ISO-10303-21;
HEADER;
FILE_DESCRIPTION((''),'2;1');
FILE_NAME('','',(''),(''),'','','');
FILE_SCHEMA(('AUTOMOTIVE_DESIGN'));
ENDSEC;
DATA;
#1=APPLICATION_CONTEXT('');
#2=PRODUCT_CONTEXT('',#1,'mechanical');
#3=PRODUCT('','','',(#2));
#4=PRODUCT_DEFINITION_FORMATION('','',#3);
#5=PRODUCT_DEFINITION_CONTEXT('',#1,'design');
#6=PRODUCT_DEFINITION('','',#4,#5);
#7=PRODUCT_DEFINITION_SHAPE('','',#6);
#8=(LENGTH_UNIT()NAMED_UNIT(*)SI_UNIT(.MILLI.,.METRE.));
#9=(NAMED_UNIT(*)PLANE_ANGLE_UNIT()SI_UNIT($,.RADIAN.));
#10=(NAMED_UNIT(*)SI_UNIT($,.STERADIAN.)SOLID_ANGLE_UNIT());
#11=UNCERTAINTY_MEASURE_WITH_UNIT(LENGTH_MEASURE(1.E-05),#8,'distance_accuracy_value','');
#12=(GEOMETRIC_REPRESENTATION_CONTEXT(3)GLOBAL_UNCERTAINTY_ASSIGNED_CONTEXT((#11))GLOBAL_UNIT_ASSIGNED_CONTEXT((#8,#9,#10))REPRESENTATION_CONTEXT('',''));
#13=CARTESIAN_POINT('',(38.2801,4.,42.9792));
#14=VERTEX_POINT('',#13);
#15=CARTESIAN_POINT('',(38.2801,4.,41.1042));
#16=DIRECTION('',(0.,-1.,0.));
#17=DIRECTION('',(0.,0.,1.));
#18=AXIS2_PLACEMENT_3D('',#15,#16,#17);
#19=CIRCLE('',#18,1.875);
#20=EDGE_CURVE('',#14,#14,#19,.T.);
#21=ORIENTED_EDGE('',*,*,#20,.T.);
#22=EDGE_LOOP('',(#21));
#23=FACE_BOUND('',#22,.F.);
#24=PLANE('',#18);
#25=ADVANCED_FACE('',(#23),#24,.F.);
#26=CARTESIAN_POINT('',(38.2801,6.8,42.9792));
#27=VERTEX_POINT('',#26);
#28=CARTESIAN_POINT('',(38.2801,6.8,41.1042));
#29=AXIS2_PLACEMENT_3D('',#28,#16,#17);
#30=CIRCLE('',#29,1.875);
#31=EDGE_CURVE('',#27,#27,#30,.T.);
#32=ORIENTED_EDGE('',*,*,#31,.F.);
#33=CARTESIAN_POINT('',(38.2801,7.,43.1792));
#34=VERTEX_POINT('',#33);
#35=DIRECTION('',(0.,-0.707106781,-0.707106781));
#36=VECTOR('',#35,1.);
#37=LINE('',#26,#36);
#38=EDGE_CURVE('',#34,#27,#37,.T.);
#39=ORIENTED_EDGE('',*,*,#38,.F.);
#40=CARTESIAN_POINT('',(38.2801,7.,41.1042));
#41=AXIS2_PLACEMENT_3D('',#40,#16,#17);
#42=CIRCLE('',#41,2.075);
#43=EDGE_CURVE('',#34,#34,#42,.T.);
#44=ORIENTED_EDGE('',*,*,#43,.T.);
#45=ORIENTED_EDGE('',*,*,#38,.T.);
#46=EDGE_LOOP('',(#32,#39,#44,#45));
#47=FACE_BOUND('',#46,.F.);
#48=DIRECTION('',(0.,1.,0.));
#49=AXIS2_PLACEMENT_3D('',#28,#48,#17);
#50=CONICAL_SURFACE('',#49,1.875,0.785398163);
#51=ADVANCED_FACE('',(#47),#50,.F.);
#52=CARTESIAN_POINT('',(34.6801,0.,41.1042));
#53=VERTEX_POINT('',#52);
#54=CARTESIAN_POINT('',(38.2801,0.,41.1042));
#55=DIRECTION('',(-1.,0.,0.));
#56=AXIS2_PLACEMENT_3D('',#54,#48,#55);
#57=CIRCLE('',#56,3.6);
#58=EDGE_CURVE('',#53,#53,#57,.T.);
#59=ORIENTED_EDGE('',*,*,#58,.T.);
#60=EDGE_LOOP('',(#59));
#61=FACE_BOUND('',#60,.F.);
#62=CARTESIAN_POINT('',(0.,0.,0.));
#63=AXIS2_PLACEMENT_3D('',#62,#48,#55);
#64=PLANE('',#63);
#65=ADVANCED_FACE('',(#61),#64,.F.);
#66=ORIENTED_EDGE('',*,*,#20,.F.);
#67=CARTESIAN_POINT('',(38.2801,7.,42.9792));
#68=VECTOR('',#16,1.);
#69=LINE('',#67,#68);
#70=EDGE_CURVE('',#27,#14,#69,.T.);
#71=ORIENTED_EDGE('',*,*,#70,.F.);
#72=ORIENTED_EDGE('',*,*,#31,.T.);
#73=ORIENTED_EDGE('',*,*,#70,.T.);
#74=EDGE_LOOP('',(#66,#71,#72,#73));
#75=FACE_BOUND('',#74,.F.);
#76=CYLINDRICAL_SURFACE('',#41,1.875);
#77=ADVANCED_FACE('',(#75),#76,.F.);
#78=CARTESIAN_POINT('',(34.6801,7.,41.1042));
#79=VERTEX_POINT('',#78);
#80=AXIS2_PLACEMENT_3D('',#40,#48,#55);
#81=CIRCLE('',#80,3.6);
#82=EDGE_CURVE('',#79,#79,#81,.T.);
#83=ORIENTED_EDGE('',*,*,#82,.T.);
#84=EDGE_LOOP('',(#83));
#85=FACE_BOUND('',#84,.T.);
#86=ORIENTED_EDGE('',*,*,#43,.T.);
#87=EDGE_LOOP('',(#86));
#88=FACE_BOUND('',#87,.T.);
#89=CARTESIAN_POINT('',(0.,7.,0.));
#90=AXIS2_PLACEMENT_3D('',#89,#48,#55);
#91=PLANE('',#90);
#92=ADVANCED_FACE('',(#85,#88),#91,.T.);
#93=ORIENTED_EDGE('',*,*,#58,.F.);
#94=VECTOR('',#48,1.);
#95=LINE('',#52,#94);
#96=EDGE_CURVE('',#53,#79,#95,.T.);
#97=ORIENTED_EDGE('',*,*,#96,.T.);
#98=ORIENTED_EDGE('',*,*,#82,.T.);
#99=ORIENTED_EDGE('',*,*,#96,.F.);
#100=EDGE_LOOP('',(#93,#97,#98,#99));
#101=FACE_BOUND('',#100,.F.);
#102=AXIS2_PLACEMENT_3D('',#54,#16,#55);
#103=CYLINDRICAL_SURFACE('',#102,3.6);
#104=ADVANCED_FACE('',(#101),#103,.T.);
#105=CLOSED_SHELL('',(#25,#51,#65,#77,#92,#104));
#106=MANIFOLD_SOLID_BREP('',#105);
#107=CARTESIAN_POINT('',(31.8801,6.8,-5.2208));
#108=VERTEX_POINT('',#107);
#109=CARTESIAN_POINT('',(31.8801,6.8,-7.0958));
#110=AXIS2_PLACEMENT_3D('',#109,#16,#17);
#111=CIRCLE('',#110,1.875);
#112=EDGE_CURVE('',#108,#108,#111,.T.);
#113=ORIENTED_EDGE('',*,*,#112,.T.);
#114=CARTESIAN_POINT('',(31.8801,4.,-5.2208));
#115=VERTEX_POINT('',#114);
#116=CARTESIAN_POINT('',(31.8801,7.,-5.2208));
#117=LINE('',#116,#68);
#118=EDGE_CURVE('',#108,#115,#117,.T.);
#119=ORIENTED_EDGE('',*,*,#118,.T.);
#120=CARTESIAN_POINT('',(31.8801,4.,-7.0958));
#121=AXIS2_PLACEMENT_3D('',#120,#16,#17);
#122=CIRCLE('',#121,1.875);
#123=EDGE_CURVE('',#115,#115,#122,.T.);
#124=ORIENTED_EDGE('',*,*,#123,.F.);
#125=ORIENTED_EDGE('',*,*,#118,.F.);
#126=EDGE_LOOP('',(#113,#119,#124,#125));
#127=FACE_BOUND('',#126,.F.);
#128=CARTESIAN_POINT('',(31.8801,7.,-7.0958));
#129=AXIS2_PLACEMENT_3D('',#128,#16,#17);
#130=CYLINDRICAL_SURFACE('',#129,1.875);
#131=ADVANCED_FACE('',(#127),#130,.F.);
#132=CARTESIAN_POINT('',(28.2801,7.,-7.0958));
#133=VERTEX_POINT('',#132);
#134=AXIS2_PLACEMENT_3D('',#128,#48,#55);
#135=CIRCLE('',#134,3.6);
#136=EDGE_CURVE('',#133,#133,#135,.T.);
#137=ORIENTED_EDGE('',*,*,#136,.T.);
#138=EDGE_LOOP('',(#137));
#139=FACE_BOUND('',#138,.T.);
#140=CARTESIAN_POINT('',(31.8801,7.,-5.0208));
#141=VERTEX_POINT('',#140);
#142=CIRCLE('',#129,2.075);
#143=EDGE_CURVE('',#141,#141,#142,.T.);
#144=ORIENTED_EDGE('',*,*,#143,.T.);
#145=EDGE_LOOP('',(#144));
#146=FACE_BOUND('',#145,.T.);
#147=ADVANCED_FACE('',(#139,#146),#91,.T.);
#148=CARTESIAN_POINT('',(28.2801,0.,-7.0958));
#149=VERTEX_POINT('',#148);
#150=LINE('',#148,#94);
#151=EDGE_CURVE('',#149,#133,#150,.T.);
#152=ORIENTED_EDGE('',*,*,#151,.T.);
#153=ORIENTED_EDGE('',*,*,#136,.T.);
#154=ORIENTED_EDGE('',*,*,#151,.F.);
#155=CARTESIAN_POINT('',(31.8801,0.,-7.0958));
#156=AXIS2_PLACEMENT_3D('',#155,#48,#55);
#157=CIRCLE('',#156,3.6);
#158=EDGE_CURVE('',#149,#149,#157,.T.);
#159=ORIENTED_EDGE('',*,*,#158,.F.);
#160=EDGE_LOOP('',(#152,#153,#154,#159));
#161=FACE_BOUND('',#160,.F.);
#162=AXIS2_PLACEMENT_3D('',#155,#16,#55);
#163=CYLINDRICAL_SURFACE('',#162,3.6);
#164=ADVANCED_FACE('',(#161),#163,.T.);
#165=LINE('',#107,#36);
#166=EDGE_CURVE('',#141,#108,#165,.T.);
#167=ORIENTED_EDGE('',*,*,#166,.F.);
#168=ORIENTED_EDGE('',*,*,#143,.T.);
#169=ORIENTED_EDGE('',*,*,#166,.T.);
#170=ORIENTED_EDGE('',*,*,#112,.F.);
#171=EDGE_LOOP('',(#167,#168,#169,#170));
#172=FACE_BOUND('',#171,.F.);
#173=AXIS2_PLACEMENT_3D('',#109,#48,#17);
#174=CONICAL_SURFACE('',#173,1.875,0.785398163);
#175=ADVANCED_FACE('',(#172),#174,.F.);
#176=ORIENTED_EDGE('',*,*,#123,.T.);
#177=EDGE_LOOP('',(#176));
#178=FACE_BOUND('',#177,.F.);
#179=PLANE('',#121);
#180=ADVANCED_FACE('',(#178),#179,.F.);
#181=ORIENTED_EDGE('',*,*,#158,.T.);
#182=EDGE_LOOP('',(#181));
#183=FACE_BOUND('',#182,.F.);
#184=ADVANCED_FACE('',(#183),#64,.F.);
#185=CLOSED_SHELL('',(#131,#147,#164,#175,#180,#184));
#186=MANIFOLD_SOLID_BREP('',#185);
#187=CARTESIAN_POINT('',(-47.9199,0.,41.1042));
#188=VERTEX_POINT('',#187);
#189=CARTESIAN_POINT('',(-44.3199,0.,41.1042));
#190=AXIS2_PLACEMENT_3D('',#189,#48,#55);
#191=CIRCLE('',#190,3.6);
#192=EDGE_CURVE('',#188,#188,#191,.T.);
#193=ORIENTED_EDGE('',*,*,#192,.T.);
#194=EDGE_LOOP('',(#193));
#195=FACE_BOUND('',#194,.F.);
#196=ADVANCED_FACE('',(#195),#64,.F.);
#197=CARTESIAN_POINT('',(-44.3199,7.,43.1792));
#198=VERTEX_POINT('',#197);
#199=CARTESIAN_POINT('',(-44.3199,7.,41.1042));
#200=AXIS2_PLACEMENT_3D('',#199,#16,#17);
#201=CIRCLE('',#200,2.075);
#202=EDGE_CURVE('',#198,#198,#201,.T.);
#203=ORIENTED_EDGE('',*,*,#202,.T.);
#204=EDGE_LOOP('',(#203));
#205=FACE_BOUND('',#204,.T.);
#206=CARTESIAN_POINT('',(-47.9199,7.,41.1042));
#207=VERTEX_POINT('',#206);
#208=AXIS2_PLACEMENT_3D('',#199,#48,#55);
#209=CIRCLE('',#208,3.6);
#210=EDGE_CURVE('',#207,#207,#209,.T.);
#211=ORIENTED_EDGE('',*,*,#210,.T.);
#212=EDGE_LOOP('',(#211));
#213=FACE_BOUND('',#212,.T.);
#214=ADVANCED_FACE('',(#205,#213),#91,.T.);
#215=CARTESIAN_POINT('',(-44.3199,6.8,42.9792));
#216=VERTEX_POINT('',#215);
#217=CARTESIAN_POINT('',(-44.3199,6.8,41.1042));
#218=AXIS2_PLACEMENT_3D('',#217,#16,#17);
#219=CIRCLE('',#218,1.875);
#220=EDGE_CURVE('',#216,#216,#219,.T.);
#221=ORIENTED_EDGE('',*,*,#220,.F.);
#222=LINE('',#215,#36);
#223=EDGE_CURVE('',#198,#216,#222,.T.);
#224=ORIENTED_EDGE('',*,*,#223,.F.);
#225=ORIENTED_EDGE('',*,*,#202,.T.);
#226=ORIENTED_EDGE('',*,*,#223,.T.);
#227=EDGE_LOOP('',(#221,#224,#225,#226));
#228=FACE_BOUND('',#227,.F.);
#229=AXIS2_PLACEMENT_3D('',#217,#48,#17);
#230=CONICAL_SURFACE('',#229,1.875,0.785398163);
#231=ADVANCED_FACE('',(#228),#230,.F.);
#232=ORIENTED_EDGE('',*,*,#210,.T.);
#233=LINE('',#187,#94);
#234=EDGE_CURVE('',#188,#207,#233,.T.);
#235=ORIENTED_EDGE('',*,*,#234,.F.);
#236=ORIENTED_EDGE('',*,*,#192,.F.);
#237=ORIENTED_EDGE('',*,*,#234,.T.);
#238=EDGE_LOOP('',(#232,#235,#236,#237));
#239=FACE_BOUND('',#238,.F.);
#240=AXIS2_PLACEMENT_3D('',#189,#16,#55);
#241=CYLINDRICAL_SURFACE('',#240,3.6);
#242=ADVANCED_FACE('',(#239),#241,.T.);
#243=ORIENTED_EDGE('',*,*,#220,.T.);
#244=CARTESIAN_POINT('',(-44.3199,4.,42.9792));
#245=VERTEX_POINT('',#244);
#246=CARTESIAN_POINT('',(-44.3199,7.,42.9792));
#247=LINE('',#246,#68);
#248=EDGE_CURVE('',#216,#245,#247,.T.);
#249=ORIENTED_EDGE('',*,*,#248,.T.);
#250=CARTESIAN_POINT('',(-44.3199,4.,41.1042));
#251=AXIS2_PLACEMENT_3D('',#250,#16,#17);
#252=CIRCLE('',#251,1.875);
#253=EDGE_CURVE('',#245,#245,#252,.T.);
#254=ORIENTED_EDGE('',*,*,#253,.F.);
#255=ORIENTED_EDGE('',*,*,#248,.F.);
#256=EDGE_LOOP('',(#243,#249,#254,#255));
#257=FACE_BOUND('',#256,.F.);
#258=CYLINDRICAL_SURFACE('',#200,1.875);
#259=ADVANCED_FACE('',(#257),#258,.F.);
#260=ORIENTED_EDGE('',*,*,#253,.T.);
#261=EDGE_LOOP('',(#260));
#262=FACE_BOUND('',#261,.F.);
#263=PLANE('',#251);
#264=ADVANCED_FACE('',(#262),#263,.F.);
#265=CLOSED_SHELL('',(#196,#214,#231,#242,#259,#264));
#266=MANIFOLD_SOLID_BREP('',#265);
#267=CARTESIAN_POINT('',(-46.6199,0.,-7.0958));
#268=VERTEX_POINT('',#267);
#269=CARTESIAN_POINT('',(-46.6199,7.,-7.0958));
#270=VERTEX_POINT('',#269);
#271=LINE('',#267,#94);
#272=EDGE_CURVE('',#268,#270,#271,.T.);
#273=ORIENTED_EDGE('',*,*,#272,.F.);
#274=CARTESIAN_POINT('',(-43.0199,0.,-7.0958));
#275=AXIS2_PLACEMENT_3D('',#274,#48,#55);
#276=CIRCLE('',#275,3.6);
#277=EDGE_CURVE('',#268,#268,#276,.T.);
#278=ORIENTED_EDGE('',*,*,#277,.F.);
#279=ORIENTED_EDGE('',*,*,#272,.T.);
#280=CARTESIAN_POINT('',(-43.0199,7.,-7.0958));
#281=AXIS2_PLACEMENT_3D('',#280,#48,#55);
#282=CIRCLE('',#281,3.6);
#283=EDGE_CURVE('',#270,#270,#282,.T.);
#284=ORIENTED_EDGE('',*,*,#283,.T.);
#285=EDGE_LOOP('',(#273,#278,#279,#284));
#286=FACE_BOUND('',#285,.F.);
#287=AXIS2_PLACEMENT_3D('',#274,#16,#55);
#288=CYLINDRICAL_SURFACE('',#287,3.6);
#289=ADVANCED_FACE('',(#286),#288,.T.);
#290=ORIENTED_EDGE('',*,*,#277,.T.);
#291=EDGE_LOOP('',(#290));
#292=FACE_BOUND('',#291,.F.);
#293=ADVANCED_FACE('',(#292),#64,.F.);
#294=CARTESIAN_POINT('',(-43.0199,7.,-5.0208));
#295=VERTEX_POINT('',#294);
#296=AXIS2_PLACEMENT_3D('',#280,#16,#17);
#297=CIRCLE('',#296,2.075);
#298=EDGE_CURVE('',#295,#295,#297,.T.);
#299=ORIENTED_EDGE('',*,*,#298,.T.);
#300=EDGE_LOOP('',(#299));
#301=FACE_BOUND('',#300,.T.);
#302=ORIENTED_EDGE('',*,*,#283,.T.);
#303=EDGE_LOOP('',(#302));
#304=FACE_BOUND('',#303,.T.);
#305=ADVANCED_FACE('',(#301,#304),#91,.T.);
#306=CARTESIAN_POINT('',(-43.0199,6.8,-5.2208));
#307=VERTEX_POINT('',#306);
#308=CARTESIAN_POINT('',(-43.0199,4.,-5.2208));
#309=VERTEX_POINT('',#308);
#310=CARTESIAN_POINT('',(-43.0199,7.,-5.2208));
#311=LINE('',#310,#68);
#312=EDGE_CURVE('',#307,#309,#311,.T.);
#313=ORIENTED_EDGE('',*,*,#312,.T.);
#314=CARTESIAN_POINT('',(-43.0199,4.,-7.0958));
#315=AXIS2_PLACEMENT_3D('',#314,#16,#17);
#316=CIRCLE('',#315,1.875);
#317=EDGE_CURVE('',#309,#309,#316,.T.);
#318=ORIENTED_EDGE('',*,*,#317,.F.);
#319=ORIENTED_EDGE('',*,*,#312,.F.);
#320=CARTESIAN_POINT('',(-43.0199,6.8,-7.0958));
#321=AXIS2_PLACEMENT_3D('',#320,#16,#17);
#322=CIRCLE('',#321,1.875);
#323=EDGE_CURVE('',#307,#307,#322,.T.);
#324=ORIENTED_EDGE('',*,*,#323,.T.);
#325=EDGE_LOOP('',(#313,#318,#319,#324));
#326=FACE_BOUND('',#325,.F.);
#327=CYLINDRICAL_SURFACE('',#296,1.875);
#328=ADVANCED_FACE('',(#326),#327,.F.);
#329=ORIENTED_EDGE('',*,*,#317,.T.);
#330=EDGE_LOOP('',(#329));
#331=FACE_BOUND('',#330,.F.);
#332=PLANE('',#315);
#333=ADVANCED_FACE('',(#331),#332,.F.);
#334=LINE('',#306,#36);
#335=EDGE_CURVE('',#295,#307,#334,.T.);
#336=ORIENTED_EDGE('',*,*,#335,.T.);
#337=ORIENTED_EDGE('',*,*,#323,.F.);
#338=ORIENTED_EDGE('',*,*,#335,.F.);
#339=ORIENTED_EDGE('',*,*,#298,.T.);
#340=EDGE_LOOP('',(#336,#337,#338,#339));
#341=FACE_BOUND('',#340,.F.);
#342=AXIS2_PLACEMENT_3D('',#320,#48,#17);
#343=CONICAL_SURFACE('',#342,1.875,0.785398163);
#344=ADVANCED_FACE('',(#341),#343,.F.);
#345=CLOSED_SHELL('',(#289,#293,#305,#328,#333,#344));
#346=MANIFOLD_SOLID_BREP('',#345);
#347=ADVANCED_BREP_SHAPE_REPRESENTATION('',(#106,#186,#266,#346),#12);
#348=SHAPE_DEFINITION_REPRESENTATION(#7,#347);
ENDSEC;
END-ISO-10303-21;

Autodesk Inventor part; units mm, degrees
ref_plane "YZ Plane" through (0, 0, 0) normal (1, 0, 0) x (0, 1, 0)
ref_plane "XZ Plane" through (0, 0, 0) normal (0, 1, 0) x (-1, 0, 0)
ref_plane "XY Plane" through (0, 0, 0) normal (0, 0, 1) x (1, 0, 0)
sketch "Sketch1" plane through (0, 0, 0) normal (0, 1, 0) x (-1, 0, 0)
  circle A0 centre (43.0199, -7.0958) radius 1.6 construction
  circle A1 centre (-31.8801, -7.0958) radius 1.6 construction
  circle A2 centre (44.3199, 41.1042) radius 1.6 construction
  circle A3 centre (-38.2801, 41.1042) radius 1.6 construction
  line L0 (58.8879, -10.055) -> (-40.7911, -10.055) construction
  line L1 (-40.7911, -10.055) -> (-40.7911, 44.0634) construction
  line L2 (-40.7911, 44.0634) -> (58.8879, 44.0634) construction
  line L3 (58.8879, 44.0634) -> (58.8879, -10.055) construction
  line L4 (43.0199, -7.0958) -> (43.0199, -10.055)
  line L5 (44.3199, 41.1042) -> (44.3199, 44.0634)
  dimension "d0" = 3.2
  dimension "d1" = 74.9
  dimension "d2" = 1.3
  dimension "d3" = 48.2
  dimension "d5" = 82.6
  dimension "d9" = 15.868
  dimension "d10" = 54.1184
  dimension "d11" = 99.679
sketch "Sketch2" plane through (0, 0, 0) normal (0, 1, 0) x (-1, 0, 0)
  circle A0 centre (43.0199, -7.0958) radius 1.6 construction
  circle A1 centre (-31.8801, -7.0958) radius 1.6 construction
  circle A2 centre (-38.2801, 41.1042) radius 1.6 construction
  circle A3 centre (44.3199, 41.1042) radius 1.6 construction
  circle A4 centre (43.0199, -7.0958) radius 3.6
  circle A5 centre (-31.8801, -7.0958) radius 3.6
  circle A6 centre (-38.2801, 41.1042) radius 3.6
  circle A7 centre (44.3199, 41.1042) radius 3.6
  point P0 (0, 0)
  dimension "d6" = 2
extrude "Extrusion1" add sketch "Sketch2" along normal blind 7
sketch "Sketch3" plane through (-43.0199, 7, -7.0958) normal (0, 1, 0) x (1, 0, 0)
  circle A0 centre (0, 0) radius 3.6 projected
  circle A1 centre (74.9, 0) radius 3.6 projected
  circle A2 centre (81.3, -48.2) radius 3.6 projected
  circle A3 centre (-1.3, -48.2) radius 3.6 projected
  point P0 (43.0199, -7.0958)
hole "Hole1" at (-43.0199, 7, -7.0958) at (31.8801, 7, -7.0958) at (38.2801, 7, 41.1042) at (-44.3199, 7, 41.1042) direction (0, -1, 0) diameter 3.75 depth 3
chamfer "Chamfer1" distance 0.2 angle 45 4 edges at (-44.3199, 7, 39.2292) (38.2801, 7, 39.2292) (31.8801, 7, -8.9708) (-43.0199, 7, -8.9708)
properties part number "arduino_mega_standoffs"
